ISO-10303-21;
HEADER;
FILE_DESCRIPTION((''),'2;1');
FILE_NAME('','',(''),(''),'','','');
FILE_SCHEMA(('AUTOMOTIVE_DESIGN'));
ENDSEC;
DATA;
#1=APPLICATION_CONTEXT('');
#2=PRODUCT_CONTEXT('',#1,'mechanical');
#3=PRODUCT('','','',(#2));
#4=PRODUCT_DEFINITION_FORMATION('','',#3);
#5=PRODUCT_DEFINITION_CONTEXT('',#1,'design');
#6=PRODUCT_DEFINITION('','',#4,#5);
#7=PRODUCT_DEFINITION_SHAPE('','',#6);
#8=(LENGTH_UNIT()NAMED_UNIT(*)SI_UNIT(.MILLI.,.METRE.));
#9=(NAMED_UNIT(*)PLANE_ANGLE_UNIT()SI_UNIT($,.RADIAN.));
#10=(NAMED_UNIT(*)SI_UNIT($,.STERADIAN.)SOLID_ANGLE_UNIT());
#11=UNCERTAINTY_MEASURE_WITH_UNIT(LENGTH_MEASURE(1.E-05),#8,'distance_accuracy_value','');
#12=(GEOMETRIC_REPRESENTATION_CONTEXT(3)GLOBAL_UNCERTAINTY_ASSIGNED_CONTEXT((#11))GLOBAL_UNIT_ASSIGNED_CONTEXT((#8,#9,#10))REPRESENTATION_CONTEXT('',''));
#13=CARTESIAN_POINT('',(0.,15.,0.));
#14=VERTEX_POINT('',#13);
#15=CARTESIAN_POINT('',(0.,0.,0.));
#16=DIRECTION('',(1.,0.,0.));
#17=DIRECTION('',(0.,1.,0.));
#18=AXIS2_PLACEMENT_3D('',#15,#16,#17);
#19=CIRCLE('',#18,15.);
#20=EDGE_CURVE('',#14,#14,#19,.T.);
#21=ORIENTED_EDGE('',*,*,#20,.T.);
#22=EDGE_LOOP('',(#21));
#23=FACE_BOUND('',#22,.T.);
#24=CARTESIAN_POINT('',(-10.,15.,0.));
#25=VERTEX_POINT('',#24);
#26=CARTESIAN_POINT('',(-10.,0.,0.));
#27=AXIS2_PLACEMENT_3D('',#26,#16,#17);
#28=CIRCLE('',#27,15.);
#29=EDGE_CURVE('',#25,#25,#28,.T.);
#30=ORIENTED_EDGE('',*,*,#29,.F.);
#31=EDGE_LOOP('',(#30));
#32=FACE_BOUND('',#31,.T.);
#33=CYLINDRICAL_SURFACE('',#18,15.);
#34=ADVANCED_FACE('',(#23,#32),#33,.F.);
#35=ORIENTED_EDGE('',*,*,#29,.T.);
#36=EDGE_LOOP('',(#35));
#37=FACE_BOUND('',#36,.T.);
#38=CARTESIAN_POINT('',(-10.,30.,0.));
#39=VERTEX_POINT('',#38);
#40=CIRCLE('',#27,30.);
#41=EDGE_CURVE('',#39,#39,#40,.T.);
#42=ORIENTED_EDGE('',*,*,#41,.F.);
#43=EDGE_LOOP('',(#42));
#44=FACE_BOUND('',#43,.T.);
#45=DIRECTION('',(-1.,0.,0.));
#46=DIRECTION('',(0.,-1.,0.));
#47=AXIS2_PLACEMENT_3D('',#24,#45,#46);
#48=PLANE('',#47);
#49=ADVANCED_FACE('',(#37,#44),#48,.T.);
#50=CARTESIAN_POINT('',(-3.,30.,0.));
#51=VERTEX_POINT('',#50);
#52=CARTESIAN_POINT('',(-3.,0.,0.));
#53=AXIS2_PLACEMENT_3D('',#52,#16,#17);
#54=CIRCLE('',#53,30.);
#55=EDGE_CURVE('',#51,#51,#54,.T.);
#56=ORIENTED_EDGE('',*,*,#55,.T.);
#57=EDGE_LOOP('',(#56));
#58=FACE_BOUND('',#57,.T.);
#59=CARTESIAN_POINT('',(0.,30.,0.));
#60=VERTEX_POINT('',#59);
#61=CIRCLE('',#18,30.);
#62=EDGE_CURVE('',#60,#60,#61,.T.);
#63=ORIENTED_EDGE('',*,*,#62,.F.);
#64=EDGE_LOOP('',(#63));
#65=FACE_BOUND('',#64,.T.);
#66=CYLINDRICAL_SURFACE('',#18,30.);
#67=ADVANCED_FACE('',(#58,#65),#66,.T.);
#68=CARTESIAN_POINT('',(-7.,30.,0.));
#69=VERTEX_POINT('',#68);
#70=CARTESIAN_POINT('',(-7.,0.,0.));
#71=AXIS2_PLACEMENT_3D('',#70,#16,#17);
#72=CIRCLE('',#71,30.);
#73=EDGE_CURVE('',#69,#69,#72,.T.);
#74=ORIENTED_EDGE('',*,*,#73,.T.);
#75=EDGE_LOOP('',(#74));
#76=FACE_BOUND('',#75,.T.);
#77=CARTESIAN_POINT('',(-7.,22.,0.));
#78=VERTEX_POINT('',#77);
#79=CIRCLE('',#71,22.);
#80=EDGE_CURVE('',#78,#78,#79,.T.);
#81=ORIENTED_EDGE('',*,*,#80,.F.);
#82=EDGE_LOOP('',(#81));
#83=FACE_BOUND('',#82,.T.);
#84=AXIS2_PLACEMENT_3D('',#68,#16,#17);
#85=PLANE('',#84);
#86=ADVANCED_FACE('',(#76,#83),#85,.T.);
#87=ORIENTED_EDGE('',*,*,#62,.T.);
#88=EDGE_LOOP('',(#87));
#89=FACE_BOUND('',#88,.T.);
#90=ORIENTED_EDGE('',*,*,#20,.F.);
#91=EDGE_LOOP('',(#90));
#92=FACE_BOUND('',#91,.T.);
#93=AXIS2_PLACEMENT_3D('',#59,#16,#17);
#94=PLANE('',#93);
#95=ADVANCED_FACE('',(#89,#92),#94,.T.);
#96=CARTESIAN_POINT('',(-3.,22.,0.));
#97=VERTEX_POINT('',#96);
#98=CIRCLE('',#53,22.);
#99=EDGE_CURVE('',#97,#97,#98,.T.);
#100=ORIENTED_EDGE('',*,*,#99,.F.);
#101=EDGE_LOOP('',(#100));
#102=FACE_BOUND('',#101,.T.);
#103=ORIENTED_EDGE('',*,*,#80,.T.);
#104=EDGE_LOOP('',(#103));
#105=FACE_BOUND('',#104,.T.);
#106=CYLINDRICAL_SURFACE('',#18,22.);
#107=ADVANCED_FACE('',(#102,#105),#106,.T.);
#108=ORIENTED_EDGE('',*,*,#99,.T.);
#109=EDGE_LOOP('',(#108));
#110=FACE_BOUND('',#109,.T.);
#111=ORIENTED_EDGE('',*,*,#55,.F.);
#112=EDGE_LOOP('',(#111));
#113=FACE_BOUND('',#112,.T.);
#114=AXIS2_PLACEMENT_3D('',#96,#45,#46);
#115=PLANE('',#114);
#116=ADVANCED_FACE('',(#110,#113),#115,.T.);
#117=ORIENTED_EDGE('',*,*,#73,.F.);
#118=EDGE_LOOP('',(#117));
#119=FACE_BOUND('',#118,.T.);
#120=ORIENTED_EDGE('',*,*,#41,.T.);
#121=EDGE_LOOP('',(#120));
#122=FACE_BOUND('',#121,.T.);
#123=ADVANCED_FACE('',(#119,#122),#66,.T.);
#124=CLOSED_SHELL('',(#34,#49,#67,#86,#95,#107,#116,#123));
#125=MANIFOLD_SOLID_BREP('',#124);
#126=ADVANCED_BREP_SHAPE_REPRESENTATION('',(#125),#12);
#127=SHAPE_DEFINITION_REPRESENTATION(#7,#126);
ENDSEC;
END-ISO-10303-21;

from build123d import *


with BuildPart() as part:
    # Sketch2 → Revolve1 (revolve)
    with BuildSketch(Plane.XY):
        Polygon((0, 15), (-10, 15), (-10, 30), (-7, 30), (-7, 22), (-3, 22), (-3, 30), (0, 30), align=None)
    revolve(axis=Axis((0, 0, 0), (-1, 0, 0)))


solid = part.part
